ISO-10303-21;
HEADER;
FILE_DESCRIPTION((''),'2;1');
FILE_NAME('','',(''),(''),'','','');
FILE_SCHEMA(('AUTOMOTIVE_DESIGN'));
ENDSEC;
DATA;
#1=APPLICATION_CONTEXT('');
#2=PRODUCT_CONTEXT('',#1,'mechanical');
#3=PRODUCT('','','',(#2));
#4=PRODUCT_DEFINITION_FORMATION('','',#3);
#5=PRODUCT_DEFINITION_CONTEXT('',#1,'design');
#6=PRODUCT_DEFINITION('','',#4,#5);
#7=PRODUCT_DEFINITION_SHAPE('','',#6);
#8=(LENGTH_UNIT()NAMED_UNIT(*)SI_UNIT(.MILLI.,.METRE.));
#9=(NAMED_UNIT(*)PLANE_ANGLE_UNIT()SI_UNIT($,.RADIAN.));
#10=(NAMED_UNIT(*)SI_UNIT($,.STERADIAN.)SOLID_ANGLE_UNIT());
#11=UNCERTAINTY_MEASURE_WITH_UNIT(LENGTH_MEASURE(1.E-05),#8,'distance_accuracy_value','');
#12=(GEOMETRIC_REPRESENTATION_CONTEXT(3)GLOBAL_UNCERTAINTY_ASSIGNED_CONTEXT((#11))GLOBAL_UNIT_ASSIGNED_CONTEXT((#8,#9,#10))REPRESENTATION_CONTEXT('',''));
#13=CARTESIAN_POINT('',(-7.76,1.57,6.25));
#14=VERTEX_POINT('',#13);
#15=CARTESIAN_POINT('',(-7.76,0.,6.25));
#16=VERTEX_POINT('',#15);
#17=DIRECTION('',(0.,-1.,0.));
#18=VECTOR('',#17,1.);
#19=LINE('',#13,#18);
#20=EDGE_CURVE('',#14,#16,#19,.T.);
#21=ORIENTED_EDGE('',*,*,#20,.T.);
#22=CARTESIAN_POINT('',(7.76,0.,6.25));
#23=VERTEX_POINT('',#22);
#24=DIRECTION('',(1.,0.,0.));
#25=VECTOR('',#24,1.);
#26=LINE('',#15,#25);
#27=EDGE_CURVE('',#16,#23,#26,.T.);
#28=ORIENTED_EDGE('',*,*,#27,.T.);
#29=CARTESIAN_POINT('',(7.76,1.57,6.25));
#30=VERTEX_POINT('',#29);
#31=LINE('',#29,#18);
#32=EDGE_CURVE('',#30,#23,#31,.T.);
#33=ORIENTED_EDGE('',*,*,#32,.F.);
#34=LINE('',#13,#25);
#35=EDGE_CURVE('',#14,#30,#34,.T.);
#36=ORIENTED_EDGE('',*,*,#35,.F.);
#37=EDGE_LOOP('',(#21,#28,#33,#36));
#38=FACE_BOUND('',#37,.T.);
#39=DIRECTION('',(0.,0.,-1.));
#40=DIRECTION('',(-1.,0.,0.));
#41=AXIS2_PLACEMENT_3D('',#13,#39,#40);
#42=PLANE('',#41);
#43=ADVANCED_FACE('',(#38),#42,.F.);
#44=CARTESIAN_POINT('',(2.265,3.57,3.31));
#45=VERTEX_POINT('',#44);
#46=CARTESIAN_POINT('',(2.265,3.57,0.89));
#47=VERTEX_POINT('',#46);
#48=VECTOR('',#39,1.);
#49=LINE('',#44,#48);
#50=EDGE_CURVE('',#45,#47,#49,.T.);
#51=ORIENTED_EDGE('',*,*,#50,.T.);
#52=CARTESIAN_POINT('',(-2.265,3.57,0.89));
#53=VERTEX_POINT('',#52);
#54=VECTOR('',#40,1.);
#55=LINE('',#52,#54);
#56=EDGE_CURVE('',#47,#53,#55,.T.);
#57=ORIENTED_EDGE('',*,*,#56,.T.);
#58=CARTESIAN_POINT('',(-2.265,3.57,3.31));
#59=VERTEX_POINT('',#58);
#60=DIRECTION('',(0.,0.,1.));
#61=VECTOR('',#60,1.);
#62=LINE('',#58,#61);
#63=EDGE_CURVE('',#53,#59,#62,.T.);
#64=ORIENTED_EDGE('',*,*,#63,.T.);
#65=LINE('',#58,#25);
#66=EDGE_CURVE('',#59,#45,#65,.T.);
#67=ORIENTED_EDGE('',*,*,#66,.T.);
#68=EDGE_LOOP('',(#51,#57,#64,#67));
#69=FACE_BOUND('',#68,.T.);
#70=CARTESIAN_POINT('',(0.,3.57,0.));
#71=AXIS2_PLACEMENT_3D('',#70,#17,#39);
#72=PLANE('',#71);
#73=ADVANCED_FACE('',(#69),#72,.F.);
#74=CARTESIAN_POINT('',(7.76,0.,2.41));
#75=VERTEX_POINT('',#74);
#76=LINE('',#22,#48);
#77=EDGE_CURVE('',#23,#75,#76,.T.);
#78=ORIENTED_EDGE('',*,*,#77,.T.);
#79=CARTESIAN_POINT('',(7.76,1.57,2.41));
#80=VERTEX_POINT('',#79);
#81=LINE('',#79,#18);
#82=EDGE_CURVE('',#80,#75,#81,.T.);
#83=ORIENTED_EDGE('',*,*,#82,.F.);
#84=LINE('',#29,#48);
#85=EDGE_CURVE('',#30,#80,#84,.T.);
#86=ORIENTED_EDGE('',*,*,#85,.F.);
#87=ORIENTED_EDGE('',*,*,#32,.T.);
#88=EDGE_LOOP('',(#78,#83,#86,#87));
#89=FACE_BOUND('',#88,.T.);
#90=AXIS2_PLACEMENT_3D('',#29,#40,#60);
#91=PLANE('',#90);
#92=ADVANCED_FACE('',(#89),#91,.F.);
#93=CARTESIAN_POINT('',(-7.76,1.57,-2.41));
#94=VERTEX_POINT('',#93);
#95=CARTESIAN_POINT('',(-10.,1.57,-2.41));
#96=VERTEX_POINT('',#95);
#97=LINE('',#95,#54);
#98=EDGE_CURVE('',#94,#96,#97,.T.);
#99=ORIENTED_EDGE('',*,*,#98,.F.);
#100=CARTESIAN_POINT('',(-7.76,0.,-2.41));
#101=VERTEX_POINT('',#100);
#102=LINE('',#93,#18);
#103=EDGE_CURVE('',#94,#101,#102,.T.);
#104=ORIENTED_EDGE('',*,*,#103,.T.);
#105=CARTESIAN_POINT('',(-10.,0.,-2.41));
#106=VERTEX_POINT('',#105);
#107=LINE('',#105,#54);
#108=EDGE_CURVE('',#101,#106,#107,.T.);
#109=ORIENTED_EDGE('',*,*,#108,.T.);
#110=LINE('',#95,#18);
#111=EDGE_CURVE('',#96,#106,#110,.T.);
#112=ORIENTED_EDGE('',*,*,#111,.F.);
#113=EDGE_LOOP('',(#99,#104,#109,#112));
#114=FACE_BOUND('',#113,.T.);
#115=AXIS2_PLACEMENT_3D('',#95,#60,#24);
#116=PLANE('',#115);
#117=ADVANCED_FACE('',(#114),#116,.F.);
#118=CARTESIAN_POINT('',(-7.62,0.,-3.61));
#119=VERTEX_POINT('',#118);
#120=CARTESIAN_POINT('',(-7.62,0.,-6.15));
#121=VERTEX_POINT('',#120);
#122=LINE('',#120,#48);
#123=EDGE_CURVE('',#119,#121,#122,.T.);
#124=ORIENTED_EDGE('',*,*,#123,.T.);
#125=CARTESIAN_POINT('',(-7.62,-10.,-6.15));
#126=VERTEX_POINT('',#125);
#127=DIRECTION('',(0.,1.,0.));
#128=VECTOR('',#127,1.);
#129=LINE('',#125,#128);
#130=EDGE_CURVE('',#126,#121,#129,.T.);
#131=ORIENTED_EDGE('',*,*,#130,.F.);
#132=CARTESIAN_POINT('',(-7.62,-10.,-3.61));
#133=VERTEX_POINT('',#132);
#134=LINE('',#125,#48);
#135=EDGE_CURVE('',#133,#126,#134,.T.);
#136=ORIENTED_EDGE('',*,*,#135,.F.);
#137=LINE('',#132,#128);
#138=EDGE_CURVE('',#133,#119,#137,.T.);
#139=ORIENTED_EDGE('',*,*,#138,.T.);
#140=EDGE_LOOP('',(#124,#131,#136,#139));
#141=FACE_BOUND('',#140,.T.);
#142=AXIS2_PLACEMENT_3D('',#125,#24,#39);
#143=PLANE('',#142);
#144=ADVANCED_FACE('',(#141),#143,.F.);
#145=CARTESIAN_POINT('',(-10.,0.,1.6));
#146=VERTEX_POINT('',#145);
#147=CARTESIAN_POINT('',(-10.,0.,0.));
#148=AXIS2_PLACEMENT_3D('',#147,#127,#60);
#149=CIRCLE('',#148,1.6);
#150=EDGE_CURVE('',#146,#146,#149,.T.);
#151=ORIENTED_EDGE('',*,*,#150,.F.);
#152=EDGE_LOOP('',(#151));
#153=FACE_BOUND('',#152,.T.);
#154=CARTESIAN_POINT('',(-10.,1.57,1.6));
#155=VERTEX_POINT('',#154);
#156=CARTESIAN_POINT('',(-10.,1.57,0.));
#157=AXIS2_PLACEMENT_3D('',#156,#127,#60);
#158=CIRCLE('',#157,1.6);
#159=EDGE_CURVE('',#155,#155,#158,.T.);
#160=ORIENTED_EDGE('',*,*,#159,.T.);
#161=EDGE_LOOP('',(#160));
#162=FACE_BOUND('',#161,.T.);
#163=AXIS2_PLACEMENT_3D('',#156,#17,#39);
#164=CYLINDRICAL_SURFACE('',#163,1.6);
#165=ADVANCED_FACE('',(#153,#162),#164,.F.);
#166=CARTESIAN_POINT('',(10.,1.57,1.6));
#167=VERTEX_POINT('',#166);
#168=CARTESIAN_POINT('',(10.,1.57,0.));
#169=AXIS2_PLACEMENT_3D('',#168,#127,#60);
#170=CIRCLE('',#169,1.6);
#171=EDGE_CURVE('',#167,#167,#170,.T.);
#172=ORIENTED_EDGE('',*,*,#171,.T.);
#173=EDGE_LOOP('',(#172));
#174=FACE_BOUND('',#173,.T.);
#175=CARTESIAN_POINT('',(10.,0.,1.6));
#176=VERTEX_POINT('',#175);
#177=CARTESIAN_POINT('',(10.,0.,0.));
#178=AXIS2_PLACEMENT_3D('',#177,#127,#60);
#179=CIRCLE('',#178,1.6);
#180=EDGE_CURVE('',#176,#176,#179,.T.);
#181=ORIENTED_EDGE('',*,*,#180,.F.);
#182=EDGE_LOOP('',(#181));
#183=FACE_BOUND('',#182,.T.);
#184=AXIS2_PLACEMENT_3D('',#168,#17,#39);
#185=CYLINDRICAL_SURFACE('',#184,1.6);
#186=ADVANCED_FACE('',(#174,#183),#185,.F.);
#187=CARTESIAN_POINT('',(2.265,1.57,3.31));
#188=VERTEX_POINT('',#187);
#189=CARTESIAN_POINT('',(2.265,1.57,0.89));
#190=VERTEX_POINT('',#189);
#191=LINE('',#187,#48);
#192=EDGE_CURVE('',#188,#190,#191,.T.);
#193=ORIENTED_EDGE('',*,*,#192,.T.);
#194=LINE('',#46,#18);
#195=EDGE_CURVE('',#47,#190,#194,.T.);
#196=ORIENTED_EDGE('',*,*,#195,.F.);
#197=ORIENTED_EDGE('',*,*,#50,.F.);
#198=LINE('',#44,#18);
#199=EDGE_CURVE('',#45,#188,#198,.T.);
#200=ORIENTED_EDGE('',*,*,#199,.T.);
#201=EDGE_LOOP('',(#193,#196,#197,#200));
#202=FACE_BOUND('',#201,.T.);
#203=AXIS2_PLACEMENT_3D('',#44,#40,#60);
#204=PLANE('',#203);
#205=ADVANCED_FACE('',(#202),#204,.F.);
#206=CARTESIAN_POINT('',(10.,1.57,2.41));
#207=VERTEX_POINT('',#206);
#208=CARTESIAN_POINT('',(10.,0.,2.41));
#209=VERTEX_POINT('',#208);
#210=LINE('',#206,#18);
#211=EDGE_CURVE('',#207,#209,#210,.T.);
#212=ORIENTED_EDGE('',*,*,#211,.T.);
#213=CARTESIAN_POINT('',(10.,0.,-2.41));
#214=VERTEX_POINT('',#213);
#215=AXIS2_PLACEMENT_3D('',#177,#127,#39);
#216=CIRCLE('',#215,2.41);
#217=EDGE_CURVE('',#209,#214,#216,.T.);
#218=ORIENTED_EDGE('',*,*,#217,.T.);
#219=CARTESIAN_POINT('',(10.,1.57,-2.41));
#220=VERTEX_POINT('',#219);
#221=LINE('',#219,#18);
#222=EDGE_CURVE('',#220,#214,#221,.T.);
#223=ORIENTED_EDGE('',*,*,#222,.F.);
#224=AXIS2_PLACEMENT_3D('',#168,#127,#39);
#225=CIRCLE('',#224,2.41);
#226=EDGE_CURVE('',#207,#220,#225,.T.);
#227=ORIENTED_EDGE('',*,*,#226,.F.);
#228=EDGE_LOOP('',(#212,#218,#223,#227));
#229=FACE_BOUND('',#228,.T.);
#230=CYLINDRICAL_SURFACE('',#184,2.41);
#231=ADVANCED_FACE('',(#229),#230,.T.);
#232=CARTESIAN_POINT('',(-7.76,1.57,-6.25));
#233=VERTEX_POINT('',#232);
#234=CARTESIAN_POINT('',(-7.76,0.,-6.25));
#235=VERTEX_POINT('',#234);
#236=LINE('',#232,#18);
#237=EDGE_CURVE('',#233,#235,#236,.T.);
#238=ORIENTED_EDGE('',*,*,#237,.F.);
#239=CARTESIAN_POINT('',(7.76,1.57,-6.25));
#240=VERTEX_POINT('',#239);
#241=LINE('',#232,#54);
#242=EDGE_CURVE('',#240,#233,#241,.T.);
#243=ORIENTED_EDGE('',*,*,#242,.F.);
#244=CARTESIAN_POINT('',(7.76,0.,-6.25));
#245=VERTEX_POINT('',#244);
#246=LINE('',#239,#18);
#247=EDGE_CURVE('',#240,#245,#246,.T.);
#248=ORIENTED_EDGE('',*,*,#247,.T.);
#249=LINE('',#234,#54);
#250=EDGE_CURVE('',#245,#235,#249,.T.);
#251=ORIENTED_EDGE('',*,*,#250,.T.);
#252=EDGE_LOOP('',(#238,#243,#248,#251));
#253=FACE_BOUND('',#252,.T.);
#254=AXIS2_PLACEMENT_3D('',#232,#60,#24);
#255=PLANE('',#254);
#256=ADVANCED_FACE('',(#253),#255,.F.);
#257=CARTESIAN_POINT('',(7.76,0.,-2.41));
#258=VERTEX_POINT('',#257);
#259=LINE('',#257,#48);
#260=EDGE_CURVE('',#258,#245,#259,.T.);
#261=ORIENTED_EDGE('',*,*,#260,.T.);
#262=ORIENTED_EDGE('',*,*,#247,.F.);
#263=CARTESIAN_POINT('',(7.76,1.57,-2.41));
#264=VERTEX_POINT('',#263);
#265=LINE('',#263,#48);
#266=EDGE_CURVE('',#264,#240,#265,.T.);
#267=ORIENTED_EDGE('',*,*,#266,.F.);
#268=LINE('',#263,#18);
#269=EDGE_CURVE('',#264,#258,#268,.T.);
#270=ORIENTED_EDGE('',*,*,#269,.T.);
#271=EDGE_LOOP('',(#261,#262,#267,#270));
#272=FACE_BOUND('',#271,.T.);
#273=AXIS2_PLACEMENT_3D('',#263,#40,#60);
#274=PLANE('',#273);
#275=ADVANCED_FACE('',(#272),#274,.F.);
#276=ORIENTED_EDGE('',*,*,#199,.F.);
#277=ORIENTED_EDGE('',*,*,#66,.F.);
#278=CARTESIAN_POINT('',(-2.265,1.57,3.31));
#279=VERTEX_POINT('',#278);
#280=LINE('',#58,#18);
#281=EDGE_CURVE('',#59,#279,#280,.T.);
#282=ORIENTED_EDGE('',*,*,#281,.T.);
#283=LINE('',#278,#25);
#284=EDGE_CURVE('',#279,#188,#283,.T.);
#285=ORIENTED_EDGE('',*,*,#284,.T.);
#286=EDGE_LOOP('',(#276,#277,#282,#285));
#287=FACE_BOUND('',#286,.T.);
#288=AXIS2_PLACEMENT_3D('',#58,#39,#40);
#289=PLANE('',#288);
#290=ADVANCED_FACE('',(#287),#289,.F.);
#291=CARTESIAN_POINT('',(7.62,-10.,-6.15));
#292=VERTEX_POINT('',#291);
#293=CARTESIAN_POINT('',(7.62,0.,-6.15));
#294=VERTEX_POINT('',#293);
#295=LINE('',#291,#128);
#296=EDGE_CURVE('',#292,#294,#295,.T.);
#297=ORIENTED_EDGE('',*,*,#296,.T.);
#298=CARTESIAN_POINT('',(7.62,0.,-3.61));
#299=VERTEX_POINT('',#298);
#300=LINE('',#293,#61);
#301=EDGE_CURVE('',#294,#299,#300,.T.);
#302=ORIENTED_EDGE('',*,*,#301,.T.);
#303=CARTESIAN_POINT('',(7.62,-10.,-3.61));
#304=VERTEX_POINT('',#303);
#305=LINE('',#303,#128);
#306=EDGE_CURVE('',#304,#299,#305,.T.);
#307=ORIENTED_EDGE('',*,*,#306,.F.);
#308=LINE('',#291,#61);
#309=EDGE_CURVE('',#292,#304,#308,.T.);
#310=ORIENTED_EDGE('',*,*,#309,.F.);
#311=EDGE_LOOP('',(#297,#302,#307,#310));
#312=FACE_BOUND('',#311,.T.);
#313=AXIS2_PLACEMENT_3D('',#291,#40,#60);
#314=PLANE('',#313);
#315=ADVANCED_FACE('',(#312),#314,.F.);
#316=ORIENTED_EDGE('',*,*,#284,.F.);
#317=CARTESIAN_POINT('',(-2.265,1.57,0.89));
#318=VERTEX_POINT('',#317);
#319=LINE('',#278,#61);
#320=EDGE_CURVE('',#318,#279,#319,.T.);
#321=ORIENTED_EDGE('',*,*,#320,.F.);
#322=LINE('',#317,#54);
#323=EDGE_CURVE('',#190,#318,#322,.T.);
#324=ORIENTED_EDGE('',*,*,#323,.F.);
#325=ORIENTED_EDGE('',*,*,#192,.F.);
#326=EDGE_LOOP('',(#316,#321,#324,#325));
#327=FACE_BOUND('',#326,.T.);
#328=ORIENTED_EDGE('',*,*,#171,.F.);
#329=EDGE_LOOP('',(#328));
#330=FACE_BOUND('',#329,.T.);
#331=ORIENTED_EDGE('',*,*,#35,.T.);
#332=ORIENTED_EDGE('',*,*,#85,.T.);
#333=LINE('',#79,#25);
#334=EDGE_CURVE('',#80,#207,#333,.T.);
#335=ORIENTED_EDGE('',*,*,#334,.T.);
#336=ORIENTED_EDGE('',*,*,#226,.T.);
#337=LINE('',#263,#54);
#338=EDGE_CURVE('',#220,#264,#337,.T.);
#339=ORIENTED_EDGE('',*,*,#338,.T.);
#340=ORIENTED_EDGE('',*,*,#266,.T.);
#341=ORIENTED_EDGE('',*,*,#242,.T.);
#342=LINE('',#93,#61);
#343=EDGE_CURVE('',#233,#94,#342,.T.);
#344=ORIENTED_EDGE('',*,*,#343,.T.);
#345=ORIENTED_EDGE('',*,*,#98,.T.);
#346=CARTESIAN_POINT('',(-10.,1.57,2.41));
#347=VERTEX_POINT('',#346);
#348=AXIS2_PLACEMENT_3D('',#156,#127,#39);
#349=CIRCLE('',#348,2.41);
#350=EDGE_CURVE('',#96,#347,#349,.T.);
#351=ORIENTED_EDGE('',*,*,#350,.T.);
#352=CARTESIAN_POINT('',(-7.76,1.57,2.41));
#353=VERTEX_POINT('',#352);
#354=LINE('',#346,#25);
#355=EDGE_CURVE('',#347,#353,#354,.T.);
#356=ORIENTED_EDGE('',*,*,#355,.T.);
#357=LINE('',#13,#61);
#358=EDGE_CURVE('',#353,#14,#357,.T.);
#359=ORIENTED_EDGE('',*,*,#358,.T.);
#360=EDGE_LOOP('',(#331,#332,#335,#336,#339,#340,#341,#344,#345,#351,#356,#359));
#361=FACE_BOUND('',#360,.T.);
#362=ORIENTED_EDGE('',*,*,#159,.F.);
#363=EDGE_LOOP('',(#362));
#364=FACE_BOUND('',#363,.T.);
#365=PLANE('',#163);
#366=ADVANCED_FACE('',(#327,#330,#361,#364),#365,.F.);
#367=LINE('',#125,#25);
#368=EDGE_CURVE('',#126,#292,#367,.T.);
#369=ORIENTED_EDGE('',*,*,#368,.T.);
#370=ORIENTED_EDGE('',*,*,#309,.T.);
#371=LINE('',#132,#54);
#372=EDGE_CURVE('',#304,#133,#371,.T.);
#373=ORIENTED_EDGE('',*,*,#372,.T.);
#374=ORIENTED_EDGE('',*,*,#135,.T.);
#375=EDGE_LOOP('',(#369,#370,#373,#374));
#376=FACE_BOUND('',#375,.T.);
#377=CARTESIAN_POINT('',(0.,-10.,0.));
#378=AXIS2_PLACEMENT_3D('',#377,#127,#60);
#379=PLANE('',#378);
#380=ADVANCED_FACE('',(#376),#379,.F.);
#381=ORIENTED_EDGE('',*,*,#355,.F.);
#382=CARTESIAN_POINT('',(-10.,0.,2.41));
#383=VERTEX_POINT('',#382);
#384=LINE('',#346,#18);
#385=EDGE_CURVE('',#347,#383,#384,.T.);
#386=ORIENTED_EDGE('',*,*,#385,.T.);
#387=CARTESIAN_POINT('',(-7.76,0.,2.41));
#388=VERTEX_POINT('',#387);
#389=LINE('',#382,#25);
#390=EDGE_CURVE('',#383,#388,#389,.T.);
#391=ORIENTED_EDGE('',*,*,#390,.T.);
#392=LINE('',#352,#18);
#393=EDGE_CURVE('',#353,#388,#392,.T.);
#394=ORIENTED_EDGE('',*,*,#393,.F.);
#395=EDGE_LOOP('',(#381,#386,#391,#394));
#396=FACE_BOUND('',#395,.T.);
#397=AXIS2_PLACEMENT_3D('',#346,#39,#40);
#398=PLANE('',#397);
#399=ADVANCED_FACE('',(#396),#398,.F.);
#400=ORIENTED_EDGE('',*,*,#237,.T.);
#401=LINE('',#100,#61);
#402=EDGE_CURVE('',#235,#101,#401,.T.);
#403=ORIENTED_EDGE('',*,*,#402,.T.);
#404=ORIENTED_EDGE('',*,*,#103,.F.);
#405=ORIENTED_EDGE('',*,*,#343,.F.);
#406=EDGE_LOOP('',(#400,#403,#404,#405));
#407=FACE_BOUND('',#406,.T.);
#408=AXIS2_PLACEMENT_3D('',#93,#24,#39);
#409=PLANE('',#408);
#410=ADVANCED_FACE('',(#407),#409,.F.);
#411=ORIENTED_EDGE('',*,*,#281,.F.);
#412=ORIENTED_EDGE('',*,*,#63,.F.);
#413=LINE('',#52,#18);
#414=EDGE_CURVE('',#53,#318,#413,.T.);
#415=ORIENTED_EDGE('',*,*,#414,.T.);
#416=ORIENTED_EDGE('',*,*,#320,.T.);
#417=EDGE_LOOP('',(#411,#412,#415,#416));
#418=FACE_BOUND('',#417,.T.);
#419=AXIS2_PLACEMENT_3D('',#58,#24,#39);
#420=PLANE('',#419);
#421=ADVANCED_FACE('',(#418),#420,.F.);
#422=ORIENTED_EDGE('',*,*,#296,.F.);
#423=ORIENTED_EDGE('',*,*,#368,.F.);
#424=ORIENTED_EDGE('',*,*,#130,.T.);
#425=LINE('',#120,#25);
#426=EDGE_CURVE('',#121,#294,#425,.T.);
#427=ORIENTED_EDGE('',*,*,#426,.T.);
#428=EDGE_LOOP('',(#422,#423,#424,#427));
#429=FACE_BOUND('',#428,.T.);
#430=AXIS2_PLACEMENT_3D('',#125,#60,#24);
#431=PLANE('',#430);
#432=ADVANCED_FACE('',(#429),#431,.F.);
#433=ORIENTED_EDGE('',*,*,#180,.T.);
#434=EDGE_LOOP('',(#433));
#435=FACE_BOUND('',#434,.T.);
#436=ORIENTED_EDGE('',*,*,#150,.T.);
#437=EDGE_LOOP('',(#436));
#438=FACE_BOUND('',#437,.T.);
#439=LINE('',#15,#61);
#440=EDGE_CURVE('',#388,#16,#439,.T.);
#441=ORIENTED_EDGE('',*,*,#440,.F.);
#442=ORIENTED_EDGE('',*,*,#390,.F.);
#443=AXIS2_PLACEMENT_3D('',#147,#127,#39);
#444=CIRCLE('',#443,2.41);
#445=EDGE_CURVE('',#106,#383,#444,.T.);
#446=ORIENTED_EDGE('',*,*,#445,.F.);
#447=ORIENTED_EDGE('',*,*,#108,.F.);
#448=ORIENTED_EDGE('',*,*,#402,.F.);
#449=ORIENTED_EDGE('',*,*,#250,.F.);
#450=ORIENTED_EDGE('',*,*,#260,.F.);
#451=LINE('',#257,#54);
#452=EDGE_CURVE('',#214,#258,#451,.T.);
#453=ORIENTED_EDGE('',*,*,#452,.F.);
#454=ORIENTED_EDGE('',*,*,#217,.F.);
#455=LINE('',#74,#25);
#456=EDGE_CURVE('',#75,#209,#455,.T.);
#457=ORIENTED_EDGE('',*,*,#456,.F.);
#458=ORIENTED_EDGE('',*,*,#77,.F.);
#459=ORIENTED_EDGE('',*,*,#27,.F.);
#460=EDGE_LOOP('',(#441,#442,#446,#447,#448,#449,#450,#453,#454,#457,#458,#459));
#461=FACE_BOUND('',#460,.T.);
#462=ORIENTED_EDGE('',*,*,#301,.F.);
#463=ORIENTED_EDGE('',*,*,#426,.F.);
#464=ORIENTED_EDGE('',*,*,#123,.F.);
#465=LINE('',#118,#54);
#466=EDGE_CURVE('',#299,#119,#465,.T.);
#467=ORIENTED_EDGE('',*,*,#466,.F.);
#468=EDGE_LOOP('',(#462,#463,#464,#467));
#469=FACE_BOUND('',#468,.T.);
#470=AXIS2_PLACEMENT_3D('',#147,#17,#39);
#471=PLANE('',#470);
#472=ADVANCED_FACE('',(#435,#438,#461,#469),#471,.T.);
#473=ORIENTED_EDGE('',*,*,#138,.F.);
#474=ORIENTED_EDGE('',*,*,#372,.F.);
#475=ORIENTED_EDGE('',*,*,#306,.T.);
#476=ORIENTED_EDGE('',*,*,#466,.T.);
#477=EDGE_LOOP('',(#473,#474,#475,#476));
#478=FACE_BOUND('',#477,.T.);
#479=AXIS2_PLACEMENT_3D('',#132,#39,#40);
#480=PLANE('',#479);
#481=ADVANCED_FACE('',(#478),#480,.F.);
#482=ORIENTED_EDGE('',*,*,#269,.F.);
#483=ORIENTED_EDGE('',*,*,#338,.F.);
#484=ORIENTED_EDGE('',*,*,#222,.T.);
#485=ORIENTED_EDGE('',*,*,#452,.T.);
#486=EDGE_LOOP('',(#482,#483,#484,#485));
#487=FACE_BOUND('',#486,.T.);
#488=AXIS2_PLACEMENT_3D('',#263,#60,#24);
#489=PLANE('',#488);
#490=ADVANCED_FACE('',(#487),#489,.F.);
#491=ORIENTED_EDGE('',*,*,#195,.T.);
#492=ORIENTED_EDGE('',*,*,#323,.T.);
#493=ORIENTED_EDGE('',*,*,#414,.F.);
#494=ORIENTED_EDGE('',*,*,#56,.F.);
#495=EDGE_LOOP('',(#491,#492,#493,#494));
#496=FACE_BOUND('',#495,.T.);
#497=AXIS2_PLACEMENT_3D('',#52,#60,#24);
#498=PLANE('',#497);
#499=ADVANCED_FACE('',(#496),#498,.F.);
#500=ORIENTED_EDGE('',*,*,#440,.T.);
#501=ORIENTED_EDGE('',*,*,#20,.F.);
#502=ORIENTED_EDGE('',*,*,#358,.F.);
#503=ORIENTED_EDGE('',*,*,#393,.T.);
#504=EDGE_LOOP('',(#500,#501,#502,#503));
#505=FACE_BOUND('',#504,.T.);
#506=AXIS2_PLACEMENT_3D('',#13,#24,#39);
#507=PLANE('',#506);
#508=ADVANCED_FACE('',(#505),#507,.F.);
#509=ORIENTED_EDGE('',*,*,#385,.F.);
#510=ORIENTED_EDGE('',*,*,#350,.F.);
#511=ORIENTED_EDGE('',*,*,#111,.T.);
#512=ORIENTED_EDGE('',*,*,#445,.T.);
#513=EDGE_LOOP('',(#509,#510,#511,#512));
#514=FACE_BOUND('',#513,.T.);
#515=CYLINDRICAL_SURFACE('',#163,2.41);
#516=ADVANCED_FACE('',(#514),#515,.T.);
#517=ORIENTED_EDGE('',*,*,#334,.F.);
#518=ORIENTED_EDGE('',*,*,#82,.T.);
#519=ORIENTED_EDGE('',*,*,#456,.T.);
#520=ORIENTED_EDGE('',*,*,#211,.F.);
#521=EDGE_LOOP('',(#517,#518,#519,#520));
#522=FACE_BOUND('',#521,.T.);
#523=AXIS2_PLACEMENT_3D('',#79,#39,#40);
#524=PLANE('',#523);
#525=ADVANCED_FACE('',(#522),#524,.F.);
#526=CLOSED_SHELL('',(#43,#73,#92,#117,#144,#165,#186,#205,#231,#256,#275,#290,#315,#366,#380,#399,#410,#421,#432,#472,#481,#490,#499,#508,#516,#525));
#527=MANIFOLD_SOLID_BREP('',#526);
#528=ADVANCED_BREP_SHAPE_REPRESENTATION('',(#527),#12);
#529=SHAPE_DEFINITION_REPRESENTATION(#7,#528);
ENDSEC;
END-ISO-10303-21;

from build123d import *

# Parameters (mm, degrees)
SKETCH1_R           = 1.6
BOSS_EXTRUDE1_DEPTH = 1.57
SKETCH2_W           = 4.53
SKETCH2_H           = 2.42
BOSS_EXTRUDE2_DEPTH = 2
SKETCH3_W           = 15.24
SKETCH3_H           = 2.54
BOSS_EXTRUDE3_DEPTH = 10


with BuildPart() as part:
    # Sketch1 → Boss-Extrude1 (new body)
    with BuildSketch(Plane(origin=(0, 0, 0), x_dir=(1, 0, 0), z_dir=(0, 1, 0))):
        with BuildLine():
            Line((-7.76, -6.25), (7.76, -6.25))
            Line((7.76, -6.25), (7.76, -2.41))
            Line((7.76, -2.41), (10, -2.41))
            ThreePointArc((10, -2.41), (12.41, 0), (10, 2.41))
            Line((10, 2.41), (7.76, 2.41))
            Line((7.76, 2.41), (7.76, 6.25))
            Line((7.76, 6.25), (-7.76, 6.25))
            Line((-7.76, 6.25), (-7.76, 2.41))
            Line((-7.76, 2.41), (-10, 2.41))
            ThreePointArc((-10, 2.41), (-12.41, 0), (-10, -2.41))
            Line((-10, -2.41), (-7.76, -2.41))
            Line((-7.76, -2.41), (-7.76, -6.25))
        make_face()
        with Locations(Location((-10, 0, 0), (0, 0, 270))):
            Circle(SKETCH1_R, mode=Mode.SUBTRACT)
        with Locations(Location((10, 0, 0), (0, 0, 270))):
            Circle(SKETCH1_R, mode=Mode.SUBTRACT)
    extrude(amount=BOSS_EXTRUDE1_DEPTH)

    # Sketch2 → Boss-Extrude2 (add)
    with BuildSketch(Plane(origin=(0, 1.57, 0), x_dir=(1, 0, 0), z_dir=(0, 1, 0))):
        with Locations((0, -2.1)):
            Rectangle(SKETCH2_W, SKETCH2_H)
    extrude(amount=BOSS_EXTRUDE2_DEPTH)

    # Sketch3 → Boss-Extrude3 (add)
    with BuildSketch(Plane.XZ):
        with Locations((0, -4.88)):
            Rectangle(SKETCH3_W, SKETCH3_H)
    extrude(amount=BOSS_EXTRUDE3_DEPTH)


solid = part.part
